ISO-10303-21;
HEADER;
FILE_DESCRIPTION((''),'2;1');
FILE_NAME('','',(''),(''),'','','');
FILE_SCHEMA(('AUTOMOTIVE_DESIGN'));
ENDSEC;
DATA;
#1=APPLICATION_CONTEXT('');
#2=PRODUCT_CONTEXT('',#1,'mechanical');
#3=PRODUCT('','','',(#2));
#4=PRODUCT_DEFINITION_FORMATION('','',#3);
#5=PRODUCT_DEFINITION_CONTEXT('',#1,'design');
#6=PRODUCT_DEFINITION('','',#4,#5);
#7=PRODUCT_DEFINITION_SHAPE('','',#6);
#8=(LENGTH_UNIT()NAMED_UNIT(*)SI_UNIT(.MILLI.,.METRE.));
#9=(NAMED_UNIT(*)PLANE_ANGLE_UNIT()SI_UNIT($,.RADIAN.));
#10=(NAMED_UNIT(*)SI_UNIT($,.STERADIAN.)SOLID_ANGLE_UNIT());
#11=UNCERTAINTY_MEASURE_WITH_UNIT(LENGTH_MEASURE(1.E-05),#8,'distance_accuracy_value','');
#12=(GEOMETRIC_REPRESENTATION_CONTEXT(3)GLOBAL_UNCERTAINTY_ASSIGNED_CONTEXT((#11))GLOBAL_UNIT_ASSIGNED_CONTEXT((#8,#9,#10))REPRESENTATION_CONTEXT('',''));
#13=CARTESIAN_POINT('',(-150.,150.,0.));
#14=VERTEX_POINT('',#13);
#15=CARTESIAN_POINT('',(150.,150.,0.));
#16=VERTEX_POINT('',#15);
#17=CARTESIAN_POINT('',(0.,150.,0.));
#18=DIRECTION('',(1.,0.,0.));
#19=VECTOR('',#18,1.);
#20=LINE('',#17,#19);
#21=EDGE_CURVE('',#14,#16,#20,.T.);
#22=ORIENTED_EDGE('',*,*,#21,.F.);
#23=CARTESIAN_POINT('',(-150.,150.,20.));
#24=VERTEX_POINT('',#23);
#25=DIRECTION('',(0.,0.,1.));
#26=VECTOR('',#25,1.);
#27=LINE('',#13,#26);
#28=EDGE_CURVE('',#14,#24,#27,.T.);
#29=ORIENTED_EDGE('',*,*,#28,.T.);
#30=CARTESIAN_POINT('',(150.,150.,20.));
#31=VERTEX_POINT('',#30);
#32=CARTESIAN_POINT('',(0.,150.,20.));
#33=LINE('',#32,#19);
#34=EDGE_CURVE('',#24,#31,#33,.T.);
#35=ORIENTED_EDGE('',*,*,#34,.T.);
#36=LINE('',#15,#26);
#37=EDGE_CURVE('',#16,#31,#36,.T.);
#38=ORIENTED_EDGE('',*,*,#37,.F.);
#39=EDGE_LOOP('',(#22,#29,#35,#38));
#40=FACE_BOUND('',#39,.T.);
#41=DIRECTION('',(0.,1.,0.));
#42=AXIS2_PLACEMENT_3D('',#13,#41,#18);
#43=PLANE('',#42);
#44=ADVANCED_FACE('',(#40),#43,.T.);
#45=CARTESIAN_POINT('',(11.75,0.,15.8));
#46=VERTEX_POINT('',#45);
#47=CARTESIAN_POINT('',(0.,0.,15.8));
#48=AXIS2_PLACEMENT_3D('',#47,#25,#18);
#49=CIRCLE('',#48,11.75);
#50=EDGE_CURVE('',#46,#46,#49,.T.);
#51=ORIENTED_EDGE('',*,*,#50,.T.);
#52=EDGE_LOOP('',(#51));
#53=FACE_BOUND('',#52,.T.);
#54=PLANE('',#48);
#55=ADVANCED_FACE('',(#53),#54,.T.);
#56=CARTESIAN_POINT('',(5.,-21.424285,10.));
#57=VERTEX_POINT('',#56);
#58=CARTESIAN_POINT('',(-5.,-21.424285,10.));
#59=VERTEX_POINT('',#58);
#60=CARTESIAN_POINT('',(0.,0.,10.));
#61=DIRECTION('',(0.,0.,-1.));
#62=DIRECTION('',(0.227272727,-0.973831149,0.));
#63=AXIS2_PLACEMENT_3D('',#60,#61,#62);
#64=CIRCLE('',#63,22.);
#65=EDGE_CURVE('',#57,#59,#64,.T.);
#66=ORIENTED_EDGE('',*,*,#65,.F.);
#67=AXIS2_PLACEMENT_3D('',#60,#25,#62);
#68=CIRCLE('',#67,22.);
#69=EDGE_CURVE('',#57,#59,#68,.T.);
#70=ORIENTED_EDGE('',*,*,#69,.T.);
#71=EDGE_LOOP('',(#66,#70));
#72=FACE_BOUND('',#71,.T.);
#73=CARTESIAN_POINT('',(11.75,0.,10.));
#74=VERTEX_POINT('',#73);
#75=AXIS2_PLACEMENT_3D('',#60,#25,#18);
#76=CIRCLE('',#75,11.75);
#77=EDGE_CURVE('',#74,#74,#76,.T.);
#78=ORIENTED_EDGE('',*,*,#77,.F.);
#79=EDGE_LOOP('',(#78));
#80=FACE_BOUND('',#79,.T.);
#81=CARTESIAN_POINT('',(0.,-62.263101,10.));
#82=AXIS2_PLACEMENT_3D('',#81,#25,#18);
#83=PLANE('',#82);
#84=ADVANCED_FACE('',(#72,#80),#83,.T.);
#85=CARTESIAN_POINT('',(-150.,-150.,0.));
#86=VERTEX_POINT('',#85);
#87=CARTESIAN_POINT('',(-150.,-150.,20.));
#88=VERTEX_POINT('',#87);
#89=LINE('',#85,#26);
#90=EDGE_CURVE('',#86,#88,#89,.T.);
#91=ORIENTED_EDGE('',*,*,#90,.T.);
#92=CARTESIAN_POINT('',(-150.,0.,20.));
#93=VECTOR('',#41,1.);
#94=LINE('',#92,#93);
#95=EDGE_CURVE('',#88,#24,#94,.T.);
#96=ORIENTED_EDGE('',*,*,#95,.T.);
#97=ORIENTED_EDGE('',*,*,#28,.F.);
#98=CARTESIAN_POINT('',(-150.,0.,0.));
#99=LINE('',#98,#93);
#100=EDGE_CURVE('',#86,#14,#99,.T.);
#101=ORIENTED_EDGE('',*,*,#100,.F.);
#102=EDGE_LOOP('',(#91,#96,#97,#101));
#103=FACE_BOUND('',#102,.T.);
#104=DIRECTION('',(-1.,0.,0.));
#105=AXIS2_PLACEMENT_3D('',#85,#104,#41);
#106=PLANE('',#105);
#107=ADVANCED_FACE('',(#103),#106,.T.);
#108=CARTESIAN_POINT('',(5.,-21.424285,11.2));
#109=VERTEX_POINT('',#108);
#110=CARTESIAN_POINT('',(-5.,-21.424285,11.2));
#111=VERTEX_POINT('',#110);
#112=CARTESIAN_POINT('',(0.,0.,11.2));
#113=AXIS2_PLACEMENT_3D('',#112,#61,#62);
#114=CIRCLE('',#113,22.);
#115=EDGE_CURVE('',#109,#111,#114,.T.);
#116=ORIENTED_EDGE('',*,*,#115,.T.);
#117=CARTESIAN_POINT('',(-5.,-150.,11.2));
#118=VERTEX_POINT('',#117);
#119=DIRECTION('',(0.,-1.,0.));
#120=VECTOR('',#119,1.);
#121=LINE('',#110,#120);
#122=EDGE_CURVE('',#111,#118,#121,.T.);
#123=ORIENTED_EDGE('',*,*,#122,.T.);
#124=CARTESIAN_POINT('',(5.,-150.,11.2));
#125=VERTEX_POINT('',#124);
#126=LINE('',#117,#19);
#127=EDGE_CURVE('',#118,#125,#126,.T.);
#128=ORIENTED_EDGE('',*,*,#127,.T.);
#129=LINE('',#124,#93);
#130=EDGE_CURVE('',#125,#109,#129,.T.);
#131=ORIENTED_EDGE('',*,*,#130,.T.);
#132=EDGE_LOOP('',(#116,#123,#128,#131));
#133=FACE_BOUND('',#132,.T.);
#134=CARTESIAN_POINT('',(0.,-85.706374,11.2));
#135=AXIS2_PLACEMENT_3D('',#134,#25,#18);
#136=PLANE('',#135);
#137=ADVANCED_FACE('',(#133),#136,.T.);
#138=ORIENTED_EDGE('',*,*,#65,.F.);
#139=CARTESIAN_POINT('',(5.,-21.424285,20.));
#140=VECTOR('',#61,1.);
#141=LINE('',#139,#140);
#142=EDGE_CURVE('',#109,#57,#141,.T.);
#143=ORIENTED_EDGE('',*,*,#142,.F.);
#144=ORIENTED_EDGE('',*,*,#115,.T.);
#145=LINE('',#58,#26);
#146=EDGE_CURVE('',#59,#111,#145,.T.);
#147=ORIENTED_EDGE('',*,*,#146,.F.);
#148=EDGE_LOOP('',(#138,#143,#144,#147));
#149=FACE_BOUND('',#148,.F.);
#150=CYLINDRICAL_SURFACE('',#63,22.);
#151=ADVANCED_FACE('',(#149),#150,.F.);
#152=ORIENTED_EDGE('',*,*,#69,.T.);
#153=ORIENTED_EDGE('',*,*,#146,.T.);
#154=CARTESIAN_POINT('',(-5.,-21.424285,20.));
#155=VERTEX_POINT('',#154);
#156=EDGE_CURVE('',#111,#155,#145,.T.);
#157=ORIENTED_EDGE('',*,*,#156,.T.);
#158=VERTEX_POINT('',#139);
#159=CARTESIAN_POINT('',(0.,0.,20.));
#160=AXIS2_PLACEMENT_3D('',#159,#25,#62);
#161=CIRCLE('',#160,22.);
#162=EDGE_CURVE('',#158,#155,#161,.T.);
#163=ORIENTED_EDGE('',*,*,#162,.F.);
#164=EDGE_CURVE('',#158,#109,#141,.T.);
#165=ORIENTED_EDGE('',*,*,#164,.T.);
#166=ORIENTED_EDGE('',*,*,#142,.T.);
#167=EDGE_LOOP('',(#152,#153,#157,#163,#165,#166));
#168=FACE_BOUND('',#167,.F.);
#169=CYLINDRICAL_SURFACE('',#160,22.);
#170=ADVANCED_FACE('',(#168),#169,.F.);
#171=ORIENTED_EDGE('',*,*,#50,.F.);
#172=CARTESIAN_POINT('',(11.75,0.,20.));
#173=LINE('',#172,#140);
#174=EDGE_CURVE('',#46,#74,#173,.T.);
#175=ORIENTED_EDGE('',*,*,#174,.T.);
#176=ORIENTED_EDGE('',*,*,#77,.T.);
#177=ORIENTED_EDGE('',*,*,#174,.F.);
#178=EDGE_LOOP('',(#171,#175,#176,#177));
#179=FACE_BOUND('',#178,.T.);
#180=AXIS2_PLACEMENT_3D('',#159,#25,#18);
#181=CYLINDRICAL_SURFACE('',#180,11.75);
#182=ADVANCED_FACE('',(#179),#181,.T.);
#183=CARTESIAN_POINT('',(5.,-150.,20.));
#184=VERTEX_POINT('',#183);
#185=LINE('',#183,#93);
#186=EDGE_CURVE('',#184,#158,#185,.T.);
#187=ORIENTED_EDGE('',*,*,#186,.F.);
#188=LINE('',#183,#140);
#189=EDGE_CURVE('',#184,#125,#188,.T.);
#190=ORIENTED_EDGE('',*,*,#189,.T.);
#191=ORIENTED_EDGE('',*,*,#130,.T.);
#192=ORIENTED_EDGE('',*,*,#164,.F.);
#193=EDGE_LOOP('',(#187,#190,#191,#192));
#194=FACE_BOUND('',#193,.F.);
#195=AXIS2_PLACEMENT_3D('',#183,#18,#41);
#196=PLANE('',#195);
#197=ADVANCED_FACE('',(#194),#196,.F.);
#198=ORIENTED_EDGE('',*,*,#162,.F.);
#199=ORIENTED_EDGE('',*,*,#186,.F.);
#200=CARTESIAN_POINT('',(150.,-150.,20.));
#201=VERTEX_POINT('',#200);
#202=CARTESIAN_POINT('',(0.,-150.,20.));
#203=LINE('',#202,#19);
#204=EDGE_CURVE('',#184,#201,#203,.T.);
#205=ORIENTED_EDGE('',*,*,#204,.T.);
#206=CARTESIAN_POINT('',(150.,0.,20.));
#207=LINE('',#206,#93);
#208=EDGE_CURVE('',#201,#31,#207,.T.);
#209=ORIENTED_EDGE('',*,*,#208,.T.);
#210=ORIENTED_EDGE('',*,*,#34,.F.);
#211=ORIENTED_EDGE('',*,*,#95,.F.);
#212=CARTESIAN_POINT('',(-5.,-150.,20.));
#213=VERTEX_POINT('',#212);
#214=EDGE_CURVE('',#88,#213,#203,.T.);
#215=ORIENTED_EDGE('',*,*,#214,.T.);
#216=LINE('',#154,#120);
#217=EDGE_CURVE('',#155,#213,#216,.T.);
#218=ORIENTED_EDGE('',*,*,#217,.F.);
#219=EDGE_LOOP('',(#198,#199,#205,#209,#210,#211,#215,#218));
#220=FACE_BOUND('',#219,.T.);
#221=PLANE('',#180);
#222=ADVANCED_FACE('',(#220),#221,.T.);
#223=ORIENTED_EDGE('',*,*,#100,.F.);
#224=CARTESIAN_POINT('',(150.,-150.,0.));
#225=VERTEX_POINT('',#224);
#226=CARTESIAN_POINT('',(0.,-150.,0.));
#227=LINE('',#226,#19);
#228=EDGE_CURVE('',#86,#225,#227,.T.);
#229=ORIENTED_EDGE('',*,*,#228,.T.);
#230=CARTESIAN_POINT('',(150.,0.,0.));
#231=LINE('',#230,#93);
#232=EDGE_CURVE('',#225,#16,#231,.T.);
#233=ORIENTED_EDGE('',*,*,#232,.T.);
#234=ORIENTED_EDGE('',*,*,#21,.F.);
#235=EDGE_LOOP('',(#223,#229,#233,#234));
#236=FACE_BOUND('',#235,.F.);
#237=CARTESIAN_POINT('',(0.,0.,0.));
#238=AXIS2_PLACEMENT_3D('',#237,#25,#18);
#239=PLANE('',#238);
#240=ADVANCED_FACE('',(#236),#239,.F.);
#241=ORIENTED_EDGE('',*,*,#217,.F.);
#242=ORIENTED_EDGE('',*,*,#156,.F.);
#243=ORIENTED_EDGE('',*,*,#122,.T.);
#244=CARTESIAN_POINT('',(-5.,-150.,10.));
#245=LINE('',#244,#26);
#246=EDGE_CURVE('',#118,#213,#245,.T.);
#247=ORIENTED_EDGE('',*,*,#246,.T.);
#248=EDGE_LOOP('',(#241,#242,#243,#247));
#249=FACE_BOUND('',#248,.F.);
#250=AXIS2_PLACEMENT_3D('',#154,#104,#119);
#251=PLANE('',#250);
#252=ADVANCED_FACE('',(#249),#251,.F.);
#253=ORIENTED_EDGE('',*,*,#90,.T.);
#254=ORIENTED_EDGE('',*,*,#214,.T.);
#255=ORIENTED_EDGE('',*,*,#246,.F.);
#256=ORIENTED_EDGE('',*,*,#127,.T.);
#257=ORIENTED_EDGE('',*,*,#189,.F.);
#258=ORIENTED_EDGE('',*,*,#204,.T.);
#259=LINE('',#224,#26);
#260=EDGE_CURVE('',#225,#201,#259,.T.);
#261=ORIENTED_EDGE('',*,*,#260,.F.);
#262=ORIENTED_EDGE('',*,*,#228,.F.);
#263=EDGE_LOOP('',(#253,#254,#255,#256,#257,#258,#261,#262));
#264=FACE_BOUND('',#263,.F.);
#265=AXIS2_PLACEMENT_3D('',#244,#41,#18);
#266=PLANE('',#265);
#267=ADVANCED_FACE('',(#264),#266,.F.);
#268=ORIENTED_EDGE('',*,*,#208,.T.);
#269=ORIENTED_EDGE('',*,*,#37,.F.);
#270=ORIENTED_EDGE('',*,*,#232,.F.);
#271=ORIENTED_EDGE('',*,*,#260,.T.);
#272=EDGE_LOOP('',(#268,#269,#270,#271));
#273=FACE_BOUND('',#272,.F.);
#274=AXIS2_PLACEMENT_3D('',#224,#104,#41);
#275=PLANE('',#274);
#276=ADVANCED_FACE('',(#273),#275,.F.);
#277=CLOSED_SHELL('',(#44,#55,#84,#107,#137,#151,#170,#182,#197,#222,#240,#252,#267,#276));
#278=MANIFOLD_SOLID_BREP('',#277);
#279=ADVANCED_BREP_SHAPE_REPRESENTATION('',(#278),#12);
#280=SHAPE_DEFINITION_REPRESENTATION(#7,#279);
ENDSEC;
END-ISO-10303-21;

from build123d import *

# Parameters (mm, degrees)
F0_W     = 300
F0_H     = 300
F1_DEPTH = 20
F2_R     = 11.75
F3_DEPTH = 10
F4_DEPTH = 8.8
F6_DEPTH = 1.2
F7_DEPTH = 4.2


with BuildPart() as f1:
    # F0 (on Top) → F1 (new body)
    with BuildSketch(Plane.XY):
        Rectangle(F0_W, F0_H)
    extrude(amount=F1_DEPTH)

    # F2 (on face) → F3 (cut)
    with BuildSketch(Plane.XY.offset(20)):
        with BuildLine():
            Line((-5, -21.4242852856), (-5, -150))
            Line((-5, -150), (5, -150))
            Line((5, -150), (5, -21.4242852856))
            ThreePointArc((5, -21.4242852856), (0, 22), (-5, -21.4242852856))
        make_face()
        Circle(F2_R, mode=Mode.SUBTRACT)
    extrude(amount=-F3_DEPTH, mode=Mode.SUBTRACT)

    # F2 (on face) → F4 (cut)
    with BuildSketch(Plane.XY.offset(20)):
        with BuildLine():
            Line((-5, -21.4242852856), (-5, -150))
            Line((-5, -150), (5, -150))
            Line((5, -150), (5, -21.4242852856))
            ThreePointArc((5, -21.4242852856), (0, 22), (-5, -21.4242852856))
        make_face()
        Circle(F2_R, mode=Mode.SUBTRACT)
    extrude(amount=-F4_DEPTH, mode=Mode.SUBTRACT)

    # F5 (on face) → F6 (join)
    with BuildSketch(Plane.XY.offset(10)):
        with BuildLine():
            ThreePointArc((5, -21.4242852856), (0, -22), (-5, -21.4242852856))
            Line((-5, -21.4242852856), (-5, -150))
            Line((-5, -150), (5, -150))
            Line((5, -150), (5, -21.4242852856))
        make_face()
    extrude(amount=F6_DEPTH)

    # F2 (on face) → F7 (cut)
    with BuildSketch(Plane.XY.offset(20)):
        Circle(F2_R)
    extrude(amount=-F7_DEPTH, mode=Mode.SUBTRACT)


solid = f1.part
